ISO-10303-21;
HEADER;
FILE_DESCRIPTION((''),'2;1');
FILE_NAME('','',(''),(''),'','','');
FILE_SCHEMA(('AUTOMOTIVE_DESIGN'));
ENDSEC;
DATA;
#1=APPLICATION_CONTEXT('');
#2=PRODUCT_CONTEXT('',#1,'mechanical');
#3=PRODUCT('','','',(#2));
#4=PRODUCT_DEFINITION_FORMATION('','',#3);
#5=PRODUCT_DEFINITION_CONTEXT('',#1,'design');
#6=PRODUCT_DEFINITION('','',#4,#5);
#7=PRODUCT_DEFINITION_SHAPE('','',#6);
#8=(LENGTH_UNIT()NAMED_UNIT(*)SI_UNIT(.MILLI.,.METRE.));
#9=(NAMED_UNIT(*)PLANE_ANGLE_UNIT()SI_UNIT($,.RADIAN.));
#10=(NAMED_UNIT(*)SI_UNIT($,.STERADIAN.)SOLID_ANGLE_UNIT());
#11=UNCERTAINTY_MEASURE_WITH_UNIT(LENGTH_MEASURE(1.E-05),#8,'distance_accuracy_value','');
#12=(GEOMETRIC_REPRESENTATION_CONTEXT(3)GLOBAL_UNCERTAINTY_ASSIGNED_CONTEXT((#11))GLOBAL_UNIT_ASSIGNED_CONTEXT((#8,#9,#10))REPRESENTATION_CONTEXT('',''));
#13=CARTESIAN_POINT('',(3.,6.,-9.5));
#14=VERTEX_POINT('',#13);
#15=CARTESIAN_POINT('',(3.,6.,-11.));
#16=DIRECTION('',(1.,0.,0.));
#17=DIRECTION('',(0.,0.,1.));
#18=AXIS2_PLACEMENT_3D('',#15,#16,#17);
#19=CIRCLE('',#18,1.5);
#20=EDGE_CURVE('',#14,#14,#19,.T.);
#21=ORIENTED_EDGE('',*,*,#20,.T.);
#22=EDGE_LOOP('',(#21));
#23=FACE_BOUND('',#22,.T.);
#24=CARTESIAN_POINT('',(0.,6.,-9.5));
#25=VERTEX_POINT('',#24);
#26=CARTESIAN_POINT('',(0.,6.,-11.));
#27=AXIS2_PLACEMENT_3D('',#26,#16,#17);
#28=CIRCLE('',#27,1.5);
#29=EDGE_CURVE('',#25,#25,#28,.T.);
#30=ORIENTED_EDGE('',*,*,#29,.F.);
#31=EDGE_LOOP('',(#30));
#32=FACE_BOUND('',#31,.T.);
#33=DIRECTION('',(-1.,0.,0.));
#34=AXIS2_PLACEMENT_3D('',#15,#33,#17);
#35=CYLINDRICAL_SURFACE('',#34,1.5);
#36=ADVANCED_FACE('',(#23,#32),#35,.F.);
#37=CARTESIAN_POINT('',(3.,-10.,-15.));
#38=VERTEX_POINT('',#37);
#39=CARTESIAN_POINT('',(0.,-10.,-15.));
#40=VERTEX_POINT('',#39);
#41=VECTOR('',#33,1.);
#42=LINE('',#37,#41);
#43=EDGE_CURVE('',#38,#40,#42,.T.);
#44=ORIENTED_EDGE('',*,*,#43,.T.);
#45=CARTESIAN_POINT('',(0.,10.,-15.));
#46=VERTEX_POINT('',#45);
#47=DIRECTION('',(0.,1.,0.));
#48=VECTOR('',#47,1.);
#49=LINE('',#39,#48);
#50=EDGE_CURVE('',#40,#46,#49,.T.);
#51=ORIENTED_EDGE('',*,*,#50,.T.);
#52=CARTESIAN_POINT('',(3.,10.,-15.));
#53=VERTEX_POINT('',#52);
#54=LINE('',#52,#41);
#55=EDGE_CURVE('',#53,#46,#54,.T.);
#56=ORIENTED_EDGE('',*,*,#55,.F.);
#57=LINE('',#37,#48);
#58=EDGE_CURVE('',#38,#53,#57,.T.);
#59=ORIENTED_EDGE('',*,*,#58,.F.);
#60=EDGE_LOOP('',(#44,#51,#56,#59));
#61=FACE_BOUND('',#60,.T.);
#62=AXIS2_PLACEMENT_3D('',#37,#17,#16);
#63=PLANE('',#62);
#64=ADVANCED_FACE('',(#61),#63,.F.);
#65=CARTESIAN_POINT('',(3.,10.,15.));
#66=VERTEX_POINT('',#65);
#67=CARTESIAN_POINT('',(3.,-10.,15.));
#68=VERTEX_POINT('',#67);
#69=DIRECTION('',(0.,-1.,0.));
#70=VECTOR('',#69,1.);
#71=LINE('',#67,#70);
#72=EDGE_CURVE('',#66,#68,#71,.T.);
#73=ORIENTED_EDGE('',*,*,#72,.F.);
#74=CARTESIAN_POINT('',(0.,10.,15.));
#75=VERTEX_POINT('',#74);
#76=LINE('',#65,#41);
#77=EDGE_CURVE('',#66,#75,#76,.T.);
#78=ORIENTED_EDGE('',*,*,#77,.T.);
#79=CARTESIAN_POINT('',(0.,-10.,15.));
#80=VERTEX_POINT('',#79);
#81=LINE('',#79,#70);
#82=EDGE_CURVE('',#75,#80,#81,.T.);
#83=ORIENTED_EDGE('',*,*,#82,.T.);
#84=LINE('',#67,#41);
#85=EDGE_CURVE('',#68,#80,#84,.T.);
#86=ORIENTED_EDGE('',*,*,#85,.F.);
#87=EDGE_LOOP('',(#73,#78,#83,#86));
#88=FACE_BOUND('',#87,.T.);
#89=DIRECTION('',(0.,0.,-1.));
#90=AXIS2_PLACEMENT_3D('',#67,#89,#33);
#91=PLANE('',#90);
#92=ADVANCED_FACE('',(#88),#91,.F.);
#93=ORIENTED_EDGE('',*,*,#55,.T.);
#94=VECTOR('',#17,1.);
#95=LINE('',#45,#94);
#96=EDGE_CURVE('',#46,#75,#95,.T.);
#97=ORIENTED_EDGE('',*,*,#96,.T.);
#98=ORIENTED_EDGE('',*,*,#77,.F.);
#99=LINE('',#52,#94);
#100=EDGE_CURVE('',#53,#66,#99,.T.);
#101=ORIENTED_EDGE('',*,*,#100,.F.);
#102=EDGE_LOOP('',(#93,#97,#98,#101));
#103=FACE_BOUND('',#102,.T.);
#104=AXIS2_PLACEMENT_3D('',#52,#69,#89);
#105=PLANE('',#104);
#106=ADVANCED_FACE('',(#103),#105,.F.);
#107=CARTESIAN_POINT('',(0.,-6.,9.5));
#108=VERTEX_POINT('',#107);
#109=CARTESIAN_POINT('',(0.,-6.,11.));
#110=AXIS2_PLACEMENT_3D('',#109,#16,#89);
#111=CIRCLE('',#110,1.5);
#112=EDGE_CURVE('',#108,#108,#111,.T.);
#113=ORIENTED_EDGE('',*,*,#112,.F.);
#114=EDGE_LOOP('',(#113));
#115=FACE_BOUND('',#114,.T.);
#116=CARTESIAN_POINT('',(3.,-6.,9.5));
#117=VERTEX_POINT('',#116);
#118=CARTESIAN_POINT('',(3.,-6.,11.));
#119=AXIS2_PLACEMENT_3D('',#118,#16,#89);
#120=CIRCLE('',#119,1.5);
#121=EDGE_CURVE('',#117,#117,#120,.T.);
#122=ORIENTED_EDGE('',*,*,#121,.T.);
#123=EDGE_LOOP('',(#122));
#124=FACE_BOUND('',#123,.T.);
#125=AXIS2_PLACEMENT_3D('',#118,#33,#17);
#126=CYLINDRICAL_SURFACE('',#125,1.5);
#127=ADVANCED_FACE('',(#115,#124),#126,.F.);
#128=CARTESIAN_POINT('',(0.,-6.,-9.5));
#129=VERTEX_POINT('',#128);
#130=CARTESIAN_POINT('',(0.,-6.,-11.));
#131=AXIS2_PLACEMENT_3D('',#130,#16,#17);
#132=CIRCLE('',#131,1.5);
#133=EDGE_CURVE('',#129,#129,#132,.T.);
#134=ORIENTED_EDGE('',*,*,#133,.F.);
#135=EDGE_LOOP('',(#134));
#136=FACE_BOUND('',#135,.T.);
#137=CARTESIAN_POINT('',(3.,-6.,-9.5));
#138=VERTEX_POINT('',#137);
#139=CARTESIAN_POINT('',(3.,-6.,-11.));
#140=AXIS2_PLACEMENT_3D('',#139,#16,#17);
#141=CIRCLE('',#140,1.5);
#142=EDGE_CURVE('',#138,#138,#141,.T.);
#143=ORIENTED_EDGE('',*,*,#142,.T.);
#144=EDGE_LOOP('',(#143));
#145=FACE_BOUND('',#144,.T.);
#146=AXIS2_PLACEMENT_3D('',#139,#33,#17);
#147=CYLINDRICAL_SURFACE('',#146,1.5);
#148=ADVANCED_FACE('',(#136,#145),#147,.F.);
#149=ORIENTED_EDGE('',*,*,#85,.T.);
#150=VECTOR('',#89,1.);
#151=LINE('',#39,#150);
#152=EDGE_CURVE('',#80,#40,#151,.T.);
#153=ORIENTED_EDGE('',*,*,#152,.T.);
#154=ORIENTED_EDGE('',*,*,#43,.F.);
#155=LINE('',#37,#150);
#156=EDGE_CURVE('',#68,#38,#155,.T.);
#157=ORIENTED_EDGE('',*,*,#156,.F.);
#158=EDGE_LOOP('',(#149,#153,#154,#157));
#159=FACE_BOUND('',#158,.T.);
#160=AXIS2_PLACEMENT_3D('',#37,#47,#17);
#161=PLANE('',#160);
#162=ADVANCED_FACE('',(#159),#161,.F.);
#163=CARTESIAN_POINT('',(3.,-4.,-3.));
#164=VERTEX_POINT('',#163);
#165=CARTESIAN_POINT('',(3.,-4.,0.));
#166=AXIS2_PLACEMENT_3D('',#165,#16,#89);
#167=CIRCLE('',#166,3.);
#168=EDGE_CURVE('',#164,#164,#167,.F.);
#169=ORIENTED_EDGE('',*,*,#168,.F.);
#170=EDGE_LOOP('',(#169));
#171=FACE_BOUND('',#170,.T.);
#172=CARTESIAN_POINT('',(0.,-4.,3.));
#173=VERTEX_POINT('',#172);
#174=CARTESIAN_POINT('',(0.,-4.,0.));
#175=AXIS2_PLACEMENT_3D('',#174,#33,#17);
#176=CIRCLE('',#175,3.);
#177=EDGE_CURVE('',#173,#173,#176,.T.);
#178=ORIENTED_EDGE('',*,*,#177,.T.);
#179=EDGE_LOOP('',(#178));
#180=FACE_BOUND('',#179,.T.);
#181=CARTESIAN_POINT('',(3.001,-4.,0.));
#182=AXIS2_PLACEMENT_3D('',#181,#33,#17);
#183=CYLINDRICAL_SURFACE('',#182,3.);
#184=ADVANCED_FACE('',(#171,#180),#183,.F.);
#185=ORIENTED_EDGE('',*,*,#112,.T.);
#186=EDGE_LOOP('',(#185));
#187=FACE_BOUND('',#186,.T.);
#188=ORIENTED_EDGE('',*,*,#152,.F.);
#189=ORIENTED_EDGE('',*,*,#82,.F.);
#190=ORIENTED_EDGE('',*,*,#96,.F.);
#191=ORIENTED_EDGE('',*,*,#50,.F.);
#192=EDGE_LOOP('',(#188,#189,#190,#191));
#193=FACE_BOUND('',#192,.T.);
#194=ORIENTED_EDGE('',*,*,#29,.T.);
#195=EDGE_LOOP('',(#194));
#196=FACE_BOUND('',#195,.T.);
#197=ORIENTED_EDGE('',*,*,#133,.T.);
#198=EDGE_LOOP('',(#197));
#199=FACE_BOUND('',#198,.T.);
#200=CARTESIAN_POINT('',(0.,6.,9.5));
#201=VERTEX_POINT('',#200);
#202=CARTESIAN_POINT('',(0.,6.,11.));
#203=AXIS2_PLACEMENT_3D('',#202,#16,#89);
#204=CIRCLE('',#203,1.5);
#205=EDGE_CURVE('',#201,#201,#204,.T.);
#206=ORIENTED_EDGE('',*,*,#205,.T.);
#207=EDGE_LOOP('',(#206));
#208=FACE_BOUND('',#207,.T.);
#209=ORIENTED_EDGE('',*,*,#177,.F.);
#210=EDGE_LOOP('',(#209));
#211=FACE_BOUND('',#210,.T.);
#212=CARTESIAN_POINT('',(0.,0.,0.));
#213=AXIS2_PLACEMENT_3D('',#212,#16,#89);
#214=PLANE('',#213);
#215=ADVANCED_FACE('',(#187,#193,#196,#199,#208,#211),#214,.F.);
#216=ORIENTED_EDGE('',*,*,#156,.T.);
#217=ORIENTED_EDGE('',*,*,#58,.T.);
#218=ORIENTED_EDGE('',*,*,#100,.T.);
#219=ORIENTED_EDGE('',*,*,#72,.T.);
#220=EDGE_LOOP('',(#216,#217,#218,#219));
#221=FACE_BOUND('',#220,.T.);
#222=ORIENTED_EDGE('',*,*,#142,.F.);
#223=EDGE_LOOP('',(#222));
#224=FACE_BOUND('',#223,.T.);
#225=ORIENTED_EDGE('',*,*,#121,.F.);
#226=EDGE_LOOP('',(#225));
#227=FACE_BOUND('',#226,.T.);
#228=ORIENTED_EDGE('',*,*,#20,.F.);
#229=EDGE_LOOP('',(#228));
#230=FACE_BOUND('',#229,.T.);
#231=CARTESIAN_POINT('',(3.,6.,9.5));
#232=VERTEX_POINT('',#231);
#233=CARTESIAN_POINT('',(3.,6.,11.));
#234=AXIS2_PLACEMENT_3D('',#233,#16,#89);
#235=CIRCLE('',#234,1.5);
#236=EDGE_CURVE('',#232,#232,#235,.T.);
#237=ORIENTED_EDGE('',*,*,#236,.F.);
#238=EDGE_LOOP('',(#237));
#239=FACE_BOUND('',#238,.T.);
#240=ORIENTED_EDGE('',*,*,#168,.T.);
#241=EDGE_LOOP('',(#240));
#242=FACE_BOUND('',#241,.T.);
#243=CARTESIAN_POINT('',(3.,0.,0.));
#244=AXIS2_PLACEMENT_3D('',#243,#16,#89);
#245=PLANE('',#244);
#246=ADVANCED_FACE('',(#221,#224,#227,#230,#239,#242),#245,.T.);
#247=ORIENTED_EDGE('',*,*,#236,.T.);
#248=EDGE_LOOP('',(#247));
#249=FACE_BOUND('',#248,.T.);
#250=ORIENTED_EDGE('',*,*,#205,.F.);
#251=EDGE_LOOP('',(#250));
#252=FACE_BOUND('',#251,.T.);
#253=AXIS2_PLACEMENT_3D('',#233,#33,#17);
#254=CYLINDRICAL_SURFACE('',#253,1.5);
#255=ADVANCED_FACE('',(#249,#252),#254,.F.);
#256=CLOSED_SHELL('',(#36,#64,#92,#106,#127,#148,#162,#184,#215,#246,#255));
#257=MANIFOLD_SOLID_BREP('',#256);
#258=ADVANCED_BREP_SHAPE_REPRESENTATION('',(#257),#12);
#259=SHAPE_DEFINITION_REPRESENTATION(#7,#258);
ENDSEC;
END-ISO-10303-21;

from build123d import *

# Parameters (mm, degrees)
SKETCH_1_W          = 30
SKETCH_1_H          = 20
SKETCH_1_R          = 1.5
EXTRUDE_1_DEPTH     = 3
CUT_EXTRUDE_1_REACH = 5
SKETCH_2_R          = 3


with BuildPart() as part:
    # 草图1 → 凸台-拉伸1 (new body)
    with BuildSketch(Plane(origin=(0, 0, 0), x_dir=(0, 0, -1), z_dir=(1, 0, 0))):
        Rectangle(SKETCH_1_W, SKETCH_1_H)
        with Locations((-11, 6)):
            Circle(SKETCH_1_R, mode=Mode.SUBTRACT)
        with Locations((-11, -6)):
            Circle(SKETCH_1_R, mode=Mode.SUBTRACT)
        with Locations((11, -6)):
            Circle(SKETCH_1_R, mode=Mode.SUBTRACT)
        with Locations((11, 6)):
            Circle(SKETCH_1_R, mode=Mode.SUBTRACT)
    extrude(amount=EXTRUDE_1_DEPTH)

    # 草图2 → 切除-拉伸1 (cut, up to next)
    with BuildSketch(Plane.ZY, mode=Mode.PRIVATE) as cut_extrude_1_sk1:
        with Locations((0, -4)):
            Circle(SKETCH_2_R)
    cut_extrude_1_tool1 = extrude(cut_extrude_1_sk1.sketch, amount=-CUT_EXTRUDE_1_REACH, mode=Mode.PRIVATE) & part.part
    add(cut_extrude_1_tool1.solids().sort_by_distance((0, -4, 0))[0], mode=Mode.SUBTRACT)


solid = part.part
